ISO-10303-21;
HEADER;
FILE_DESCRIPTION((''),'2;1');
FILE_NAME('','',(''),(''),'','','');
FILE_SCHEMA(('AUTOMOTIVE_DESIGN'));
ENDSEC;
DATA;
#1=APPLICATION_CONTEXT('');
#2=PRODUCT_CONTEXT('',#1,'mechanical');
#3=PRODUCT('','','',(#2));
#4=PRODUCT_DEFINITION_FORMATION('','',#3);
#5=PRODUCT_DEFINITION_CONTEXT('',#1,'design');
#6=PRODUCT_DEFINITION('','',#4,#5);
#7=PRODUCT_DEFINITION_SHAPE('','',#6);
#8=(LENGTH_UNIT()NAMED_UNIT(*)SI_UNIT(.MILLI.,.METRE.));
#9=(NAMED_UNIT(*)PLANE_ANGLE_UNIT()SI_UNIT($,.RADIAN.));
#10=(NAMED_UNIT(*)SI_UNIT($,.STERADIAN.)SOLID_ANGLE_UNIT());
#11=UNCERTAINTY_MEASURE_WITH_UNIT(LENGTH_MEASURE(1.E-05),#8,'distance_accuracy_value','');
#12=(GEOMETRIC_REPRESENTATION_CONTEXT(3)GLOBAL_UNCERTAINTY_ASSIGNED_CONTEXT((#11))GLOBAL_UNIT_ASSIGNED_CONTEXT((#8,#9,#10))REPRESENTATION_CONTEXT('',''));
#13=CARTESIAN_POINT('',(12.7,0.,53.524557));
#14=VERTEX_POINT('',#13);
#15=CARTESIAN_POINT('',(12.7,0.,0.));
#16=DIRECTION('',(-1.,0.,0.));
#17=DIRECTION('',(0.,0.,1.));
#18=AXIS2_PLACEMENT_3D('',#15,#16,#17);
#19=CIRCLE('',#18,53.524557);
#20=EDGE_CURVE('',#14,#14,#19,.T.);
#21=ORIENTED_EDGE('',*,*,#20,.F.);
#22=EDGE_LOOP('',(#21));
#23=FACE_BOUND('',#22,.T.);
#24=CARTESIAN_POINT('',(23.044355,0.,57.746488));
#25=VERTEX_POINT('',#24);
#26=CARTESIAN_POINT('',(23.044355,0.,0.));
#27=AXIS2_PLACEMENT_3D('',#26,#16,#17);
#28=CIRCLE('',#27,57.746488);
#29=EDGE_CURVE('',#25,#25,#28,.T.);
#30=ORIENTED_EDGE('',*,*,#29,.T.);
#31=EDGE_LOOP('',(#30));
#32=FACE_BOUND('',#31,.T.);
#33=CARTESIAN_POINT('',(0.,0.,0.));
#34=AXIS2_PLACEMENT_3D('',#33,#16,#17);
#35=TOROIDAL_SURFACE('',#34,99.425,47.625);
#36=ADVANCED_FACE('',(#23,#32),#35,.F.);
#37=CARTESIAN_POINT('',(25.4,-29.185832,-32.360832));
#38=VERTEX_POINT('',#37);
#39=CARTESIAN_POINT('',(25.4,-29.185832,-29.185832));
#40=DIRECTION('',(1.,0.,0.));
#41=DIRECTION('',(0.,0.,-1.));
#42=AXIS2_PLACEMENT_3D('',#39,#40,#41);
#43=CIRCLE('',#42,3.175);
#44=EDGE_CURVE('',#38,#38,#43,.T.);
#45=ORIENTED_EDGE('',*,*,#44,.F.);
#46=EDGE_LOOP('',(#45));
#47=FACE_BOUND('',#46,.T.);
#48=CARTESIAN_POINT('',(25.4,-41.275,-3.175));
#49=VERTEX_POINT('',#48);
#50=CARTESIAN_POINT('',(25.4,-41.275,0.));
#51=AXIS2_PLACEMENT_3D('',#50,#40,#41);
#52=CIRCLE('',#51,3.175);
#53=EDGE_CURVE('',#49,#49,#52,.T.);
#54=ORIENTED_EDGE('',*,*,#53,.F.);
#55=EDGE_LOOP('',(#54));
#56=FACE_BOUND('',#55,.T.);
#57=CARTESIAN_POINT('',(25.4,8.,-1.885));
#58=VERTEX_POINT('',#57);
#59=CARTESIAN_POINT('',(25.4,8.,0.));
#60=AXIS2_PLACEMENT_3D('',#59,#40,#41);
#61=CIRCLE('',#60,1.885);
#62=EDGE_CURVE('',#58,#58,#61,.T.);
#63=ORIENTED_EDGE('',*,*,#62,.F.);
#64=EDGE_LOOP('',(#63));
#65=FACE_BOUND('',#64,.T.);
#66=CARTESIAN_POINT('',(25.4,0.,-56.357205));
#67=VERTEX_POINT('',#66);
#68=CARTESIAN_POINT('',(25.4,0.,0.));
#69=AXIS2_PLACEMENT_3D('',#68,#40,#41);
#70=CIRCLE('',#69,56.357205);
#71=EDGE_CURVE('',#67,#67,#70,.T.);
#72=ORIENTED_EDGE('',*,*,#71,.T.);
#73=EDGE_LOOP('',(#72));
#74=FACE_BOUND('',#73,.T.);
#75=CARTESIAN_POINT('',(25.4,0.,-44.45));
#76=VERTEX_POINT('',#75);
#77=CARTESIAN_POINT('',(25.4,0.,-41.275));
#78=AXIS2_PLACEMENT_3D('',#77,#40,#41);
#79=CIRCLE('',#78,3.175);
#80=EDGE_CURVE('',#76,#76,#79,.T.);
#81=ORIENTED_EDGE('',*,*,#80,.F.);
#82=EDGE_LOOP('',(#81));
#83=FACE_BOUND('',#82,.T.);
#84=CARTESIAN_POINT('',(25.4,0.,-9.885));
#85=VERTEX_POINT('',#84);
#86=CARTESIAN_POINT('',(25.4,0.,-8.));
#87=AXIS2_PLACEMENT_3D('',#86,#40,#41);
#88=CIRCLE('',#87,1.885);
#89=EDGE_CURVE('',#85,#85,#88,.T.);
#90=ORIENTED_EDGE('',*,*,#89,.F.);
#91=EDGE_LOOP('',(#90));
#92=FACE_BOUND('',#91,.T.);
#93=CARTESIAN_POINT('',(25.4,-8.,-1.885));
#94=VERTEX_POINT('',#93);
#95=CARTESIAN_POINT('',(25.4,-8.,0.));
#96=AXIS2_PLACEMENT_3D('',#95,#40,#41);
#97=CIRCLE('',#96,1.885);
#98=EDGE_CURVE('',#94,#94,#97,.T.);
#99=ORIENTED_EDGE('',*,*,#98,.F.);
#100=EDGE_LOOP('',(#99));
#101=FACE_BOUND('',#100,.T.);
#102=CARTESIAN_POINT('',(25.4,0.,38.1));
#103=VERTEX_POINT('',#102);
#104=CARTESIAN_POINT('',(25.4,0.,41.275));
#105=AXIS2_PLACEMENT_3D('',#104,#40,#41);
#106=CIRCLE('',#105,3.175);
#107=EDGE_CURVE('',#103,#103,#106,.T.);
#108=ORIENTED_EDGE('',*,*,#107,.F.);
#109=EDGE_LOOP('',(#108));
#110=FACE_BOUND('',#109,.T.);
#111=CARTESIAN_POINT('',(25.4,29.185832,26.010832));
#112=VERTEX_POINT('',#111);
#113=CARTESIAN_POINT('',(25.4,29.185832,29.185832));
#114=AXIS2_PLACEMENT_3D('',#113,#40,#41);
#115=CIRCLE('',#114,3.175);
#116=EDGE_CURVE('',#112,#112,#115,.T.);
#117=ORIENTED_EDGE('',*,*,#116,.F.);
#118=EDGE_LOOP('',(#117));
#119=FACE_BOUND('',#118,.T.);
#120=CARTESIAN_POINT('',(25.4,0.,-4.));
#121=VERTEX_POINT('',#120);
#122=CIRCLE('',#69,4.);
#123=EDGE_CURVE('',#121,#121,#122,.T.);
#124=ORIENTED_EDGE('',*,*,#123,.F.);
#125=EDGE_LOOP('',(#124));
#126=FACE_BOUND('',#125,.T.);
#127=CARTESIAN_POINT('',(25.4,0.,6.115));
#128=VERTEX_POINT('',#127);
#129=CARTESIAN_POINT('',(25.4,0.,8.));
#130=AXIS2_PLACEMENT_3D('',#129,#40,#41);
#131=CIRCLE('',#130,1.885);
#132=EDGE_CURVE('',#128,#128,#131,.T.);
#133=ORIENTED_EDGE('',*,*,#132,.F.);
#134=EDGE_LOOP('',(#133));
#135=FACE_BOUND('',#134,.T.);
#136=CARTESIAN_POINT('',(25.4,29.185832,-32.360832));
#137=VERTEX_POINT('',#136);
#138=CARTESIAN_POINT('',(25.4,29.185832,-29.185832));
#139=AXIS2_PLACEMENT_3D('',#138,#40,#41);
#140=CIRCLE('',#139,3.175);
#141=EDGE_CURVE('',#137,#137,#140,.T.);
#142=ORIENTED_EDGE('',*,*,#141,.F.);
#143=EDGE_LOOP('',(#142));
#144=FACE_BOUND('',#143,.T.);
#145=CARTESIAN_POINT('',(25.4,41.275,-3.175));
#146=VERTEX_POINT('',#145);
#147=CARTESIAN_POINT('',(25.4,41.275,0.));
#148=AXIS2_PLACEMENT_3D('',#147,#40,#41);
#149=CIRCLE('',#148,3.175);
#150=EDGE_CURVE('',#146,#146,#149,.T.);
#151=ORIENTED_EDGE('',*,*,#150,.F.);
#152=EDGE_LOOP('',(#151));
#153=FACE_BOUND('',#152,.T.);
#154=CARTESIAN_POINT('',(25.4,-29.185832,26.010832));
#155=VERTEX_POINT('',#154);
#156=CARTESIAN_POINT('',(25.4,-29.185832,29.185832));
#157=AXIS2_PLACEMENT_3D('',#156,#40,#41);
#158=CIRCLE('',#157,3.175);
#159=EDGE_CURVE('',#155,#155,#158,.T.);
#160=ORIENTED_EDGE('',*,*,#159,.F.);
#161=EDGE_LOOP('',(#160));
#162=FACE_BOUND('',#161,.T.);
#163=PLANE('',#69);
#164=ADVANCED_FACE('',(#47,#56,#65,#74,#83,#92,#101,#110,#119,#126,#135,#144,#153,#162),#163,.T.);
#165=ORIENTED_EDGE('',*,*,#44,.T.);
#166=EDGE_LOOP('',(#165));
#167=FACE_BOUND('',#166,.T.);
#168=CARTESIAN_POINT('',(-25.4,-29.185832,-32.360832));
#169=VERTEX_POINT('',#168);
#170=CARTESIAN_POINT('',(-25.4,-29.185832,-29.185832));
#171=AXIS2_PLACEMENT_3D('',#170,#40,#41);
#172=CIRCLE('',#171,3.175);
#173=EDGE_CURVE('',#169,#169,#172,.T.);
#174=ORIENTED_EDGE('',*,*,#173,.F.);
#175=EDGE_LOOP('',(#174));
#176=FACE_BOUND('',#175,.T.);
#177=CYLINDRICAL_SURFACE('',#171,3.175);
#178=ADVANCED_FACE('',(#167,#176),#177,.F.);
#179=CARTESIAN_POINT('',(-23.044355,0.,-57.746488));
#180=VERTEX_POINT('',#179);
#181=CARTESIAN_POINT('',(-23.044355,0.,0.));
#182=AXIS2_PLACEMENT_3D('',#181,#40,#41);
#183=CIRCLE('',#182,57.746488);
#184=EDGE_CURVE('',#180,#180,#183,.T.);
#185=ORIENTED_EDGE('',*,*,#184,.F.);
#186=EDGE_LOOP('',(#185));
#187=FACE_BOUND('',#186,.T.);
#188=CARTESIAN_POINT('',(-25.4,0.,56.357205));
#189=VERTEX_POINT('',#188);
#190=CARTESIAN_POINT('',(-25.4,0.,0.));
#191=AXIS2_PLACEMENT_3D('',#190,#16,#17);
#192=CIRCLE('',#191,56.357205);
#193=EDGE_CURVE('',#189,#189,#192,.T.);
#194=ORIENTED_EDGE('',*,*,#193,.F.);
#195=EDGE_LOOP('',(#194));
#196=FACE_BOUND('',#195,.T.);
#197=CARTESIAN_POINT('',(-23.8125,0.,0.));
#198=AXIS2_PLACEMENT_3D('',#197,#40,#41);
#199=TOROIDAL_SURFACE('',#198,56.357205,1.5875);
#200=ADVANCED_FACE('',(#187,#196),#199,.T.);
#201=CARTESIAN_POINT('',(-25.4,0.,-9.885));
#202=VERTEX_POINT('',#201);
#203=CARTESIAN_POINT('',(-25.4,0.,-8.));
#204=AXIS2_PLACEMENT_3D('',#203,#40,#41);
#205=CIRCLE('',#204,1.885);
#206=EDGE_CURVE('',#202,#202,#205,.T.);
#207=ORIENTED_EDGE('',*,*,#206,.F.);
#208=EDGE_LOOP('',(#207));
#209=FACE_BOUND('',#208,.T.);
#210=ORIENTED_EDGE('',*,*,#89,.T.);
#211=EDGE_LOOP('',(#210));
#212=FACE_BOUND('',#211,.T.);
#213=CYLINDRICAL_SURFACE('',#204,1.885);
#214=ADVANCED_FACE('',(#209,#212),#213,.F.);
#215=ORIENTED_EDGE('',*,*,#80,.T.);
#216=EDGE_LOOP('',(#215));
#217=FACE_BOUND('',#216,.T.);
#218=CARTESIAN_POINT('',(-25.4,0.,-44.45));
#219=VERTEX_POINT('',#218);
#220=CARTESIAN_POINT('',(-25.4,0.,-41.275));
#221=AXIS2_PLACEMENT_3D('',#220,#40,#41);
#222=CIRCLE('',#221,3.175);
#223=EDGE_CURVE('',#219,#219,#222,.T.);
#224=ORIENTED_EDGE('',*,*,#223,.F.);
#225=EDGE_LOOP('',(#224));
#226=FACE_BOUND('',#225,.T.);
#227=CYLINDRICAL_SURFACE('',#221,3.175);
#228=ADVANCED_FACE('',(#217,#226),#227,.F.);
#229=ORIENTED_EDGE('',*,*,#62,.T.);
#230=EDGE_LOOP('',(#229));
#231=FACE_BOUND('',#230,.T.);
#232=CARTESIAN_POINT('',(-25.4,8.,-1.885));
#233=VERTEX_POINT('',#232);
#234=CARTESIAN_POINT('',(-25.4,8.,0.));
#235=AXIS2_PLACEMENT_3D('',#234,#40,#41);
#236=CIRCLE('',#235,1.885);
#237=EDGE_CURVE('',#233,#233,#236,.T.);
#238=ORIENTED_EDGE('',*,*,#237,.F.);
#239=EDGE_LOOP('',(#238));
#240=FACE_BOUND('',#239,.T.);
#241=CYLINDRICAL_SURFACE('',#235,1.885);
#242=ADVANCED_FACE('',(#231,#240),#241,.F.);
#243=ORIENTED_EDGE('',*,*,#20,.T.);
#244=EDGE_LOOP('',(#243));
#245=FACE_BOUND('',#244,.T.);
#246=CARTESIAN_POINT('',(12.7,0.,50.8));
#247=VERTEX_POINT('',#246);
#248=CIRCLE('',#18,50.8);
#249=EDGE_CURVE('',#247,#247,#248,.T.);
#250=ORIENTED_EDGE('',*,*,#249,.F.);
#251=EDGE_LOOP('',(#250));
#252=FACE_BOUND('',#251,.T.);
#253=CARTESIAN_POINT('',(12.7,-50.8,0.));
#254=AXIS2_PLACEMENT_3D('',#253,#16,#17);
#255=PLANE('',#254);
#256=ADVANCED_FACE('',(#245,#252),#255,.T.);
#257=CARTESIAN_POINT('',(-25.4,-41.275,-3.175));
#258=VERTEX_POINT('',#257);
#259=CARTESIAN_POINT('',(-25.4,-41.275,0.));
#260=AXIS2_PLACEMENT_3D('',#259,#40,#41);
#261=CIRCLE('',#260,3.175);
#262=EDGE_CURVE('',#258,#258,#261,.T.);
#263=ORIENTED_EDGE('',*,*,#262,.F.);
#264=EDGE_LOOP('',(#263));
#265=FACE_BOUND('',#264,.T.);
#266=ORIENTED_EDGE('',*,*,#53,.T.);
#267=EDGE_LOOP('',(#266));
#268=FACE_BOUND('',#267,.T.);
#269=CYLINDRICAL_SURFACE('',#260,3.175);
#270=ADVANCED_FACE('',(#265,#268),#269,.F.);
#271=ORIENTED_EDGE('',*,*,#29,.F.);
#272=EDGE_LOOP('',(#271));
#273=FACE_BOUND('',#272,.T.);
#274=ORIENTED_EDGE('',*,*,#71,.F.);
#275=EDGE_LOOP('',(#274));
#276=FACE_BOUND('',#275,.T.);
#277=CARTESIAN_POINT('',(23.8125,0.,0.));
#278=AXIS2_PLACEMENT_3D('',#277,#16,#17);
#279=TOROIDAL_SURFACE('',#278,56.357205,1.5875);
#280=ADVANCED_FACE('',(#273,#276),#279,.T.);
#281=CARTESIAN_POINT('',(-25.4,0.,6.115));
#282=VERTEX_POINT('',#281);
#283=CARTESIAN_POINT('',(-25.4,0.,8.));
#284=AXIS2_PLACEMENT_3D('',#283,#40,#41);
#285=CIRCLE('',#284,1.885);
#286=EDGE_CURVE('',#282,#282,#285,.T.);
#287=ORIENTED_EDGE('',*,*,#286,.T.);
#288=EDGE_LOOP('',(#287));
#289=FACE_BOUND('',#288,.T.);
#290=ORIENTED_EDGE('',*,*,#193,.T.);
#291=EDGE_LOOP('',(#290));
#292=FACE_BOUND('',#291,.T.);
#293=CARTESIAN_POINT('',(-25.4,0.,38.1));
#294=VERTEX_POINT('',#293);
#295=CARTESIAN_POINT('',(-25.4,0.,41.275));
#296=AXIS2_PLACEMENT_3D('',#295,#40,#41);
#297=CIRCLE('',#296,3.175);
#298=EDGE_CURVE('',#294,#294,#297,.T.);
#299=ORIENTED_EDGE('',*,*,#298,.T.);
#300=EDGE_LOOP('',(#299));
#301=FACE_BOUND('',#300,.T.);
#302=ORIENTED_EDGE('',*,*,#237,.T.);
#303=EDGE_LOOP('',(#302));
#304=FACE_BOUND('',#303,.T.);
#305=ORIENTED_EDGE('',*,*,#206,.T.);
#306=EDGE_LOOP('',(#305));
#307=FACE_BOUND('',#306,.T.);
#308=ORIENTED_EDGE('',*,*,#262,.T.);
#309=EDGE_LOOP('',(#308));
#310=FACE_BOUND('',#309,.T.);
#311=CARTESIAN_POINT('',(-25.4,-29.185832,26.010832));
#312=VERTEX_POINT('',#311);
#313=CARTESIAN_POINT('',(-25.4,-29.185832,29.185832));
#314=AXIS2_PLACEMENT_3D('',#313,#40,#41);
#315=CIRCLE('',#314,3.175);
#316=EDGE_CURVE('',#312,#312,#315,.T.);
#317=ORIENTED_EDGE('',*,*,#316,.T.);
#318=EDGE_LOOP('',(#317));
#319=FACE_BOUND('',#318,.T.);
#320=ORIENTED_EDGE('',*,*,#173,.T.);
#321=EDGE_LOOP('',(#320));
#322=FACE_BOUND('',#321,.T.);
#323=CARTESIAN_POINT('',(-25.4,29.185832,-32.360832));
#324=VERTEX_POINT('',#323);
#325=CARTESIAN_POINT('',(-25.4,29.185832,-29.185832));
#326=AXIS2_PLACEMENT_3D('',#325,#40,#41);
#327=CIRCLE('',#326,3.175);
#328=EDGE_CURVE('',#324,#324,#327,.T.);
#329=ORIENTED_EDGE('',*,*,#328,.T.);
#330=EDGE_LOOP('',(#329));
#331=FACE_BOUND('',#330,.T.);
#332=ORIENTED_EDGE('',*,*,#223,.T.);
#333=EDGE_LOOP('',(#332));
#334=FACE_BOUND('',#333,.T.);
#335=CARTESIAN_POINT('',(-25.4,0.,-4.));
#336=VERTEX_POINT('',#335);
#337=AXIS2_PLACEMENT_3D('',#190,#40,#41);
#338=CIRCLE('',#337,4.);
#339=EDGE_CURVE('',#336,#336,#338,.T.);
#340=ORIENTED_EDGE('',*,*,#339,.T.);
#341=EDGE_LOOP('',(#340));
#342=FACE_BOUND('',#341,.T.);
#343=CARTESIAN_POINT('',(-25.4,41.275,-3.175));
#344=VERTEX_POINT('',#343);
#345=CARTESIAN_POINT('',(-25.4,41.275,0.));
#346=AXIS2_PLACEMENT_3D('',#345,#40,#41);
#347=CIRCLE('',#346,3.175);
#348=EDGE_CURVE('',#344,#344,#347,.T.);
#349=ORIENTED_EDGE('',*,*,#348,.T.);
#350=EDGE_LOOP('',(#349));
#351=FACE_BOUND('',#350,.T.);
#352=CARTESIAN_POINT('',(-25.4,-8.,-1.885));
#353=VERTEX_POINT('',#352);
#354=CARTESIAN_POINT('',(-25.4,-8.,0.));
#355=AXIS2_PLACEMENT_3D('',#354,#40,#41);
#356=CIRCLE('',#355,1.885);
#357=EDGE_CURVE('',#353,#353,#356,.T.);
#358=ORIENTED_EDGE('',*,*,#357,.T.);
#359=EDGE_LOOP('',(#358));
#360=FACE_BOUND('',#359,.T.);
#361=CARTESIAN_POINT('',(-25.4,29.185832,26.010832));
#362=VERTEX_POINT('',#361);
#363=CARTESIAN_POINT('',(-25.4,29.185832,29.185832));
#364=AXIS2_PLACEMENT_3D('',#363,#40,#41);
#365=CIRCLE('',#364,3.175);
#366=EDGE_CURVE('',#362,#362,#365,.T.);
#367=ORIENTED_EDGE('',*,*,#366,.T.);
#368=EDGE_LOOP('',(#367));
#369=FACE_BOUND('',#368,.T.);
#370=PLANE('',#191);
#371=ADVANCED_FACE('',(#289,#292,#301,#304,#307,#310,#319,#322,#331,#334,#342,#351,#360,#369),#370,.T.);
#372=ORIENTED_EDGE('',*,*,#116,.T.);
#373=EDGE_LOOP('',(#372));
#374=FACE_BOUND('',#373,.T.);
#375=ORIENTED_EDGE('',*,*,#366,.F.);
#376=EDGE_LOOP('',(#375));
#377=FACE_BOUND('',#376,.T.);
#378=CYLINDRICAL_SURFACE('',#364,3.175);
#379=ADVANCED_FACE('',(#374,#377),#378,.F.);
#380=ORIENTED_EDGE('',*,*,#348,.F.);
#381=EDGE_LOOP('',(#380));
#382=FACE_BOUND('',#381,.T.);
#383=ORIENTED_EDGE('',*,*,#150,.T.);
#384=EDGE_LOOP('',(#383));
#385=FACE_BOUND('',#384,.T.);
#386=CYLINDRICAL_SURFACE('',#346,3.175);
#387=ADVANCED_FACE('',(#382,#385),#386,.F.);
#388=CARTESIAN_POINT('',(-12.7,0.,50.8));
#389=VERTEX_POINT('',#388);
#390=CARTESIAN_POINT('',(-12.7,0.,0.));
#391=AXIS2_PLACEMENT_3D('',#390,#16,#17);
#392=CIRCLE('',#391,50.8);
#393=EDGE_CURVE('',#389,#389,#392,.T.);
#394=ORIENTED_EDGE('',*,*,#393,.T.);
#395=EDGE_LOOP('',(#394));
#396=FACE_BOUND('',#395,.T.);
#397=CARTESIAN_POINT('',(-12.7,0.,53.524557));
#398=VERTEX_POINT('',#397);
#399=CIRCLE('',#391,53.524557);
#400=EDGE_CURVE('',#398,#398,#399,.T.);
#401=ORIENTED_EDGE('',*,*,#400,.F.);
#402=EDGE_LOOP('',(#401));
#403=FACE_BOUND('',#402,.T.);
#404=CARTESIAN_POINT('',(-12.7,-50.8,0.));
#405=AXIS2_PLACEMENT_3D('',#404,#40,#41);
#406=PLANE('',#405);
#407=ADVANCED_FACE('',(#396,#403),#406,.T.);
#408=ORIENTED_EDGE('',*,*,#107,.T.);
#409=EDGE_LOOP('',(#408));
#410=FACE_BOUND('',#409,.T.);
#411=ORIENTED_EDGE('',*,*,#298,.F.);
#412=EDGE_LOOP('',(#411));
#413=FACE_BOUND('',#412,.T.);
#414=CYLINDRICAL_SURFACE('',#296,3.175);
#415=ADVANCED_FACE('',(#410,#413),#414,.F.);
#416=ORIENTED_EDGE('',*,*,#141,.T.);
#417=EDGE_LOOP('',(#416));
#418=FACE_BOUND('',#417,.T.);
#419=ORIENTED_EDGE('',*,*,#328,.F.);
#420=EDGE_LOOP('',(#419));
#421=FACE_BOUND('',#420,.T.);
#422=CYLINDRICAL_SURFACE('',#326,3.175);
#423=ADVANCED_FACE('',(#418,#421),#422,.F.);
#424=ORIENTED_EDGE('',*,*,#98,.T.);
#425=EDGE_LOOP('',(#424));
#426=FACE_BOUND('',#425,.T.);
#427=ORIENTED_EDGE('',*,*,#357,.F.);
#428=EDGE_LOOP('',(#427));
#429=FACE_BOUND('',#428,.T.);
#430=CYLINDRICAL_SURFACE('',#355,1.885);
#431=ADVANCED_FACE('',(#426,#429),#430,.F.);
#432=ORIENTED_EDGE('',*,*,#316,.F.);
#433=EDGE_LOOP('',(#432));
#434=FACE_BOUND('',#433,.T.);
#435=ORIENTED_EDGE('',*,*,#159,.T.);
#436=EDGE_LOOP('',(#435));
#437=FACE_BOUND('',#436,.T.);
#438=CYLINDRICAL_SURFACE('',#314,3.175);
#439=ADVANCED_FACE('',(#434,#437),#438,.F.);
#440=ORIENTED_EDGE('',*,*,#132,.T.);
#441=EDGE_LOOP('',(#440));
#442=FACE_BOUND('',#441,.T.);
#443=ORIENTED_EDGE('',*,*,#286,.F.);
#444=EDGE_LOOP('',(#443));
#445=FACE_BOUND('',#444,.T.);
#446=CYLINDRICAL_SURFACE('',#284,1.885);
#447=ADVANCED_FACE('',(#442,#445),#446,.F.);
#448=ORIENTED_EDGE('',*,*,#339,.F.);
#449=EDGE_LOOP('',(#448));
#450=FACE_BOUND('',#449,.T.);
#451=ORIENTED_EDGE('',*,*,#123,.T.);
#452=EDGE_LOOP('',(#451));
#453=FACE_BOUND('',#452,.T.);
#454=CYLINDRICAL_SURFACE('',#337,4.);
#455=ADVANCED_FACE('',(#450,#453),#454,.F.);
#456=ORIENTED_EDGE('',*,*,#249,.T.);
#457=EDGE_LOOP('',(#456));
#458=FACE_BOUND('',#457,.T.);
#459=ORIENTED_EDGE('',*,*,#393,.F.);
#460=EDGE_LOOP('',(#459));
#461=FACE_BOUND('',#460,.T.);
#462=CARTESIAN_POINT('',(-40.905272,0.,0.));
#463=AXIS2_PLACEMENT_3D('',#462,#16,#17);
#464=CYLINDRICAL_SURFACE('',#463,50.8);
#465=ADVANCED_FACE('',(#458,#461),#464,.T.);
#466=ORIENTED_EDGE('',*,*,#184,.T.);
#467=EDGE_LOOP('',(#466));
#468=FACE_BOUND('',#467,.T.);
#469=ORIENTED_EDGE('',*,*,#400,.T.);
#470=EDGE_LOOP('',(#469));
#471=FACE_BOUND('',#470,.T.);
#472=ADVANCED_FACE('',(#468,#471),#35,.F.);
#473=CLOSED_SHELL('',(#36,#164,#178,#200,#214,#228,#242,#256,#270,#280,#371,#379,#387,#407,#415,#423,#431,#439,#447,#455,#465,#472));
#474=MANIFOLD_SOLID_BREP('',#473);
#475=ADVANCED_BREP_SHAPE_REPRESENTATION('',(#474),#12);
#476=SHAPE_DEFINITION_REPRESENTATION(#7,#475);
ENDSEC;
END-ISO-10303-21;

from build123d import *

# Parameters (mm, degrees)
FLOWER_R               = 4
FLOWER_R_2             = 1.885
MOUNTING_DEPTH         = 98.854112643
FILLET1_R              = 1.5875
SKETCH1_R              = 3.175
MASS_AND_BALANCE_DEPTH = 97.414821501


with BuildPart() as part:
    # Wheel Arc → Wheel (revolve)
    with BuildSketch(Plane.XY, mode=Mode.PRIVATE) as wheel_sk:
        with BuildLine():
            Line((-25.4, 0), (25.4, 0))
            Line((25.4, 0), (25.4, -59.138766309))
            ThreePointArc((25.4, -59.138766309), (19.25570916, -55.8663236), (12.7, -53.524557464))
            Line((12.7, -53.524557464), (12.7, -50.8))
            Line((12.7, -50.8), (-12.7, -50.8))
            Line((-12.7, -50.8), (-12.7, -53.524557464))
            ThreePointArc((-12.7, -53.524557464), (-19.25570916, -55.8663236), (-25.4, -59.138766309))
            Line((-25.4, -59.138766309), (-25.4, 0))
        make_face()
    revolve(wheel_sk.sketch.rotate(Axis((-40.905271883, 0, 0), (1, 0, 0)), 270), axis=Axis((-40.905271883, 0, 0), (1, 0, 0)))

    # Flower → Mounting (cut, through all)
    with BuildSketch(Plane(origin=(25.4, 0, 0), x_dir=(0, 0, -1), z_dir=(1, 0, 0))):
        Circle(FLOWER_R)
        with Locations((0, 8)):
            Circle(FLOWER_R_2)
        with Locations((8, 0)):
            Circle(FLOWER_R_2)
        with Locations((0, -8)):
            Circle(FLOWER_R_2)
        with Locations((-8, 0)):
            Circle(FLOWER_R_2)
    extrude(amount=-MOUNTING_DEPTH, mode=Mode.SUBTRACT)

    # Fillet1
    fillet1_edges = [part.edges().sort_by_distance(p)[0] for p in [
        (-25.4, 0, -59.138766309),
        (25.4, 0, -59.138766309),
    ]]
    fillet(fillet1_edges, radius=FILLET1_R)

    # Sketch1 → Mass_and_Balance (cut, through all)
    with BuildSketch(Plane(origin=(25.4, 0, 0), x_dir=(0, 0, -1), z_dir=(1, 0, 0))):
        with Locations((0, 41.275)):
            Circle(SKETCH1_R)
        with Locations((29.185832393, 29.185832393)):
            Circle(SKETCH1_R)
        with Locations((41.275, 0)):
            Circle(SKETCH1_R)
        with Locations((29.185832393, -29.185832393)):
            Circle(SKETCH1_R)
        with Locations((0, -41.275)):
            Circle(SKETCH1_R)
        with Locations((-29.185832393, -29.185832393)):
            Circle(SKETCH1_R)
        with Locations((-41.275, 0)):
            Circle(SKETCH1_R)
        with Locations((-29.185832393, 29.185832393)):
            Circle(SKETCH1_R)
    extrude(amount=-MASS_AND_BALANCE_DEPTH, mode=Mode.SUBTRACT)


solid = part.part
